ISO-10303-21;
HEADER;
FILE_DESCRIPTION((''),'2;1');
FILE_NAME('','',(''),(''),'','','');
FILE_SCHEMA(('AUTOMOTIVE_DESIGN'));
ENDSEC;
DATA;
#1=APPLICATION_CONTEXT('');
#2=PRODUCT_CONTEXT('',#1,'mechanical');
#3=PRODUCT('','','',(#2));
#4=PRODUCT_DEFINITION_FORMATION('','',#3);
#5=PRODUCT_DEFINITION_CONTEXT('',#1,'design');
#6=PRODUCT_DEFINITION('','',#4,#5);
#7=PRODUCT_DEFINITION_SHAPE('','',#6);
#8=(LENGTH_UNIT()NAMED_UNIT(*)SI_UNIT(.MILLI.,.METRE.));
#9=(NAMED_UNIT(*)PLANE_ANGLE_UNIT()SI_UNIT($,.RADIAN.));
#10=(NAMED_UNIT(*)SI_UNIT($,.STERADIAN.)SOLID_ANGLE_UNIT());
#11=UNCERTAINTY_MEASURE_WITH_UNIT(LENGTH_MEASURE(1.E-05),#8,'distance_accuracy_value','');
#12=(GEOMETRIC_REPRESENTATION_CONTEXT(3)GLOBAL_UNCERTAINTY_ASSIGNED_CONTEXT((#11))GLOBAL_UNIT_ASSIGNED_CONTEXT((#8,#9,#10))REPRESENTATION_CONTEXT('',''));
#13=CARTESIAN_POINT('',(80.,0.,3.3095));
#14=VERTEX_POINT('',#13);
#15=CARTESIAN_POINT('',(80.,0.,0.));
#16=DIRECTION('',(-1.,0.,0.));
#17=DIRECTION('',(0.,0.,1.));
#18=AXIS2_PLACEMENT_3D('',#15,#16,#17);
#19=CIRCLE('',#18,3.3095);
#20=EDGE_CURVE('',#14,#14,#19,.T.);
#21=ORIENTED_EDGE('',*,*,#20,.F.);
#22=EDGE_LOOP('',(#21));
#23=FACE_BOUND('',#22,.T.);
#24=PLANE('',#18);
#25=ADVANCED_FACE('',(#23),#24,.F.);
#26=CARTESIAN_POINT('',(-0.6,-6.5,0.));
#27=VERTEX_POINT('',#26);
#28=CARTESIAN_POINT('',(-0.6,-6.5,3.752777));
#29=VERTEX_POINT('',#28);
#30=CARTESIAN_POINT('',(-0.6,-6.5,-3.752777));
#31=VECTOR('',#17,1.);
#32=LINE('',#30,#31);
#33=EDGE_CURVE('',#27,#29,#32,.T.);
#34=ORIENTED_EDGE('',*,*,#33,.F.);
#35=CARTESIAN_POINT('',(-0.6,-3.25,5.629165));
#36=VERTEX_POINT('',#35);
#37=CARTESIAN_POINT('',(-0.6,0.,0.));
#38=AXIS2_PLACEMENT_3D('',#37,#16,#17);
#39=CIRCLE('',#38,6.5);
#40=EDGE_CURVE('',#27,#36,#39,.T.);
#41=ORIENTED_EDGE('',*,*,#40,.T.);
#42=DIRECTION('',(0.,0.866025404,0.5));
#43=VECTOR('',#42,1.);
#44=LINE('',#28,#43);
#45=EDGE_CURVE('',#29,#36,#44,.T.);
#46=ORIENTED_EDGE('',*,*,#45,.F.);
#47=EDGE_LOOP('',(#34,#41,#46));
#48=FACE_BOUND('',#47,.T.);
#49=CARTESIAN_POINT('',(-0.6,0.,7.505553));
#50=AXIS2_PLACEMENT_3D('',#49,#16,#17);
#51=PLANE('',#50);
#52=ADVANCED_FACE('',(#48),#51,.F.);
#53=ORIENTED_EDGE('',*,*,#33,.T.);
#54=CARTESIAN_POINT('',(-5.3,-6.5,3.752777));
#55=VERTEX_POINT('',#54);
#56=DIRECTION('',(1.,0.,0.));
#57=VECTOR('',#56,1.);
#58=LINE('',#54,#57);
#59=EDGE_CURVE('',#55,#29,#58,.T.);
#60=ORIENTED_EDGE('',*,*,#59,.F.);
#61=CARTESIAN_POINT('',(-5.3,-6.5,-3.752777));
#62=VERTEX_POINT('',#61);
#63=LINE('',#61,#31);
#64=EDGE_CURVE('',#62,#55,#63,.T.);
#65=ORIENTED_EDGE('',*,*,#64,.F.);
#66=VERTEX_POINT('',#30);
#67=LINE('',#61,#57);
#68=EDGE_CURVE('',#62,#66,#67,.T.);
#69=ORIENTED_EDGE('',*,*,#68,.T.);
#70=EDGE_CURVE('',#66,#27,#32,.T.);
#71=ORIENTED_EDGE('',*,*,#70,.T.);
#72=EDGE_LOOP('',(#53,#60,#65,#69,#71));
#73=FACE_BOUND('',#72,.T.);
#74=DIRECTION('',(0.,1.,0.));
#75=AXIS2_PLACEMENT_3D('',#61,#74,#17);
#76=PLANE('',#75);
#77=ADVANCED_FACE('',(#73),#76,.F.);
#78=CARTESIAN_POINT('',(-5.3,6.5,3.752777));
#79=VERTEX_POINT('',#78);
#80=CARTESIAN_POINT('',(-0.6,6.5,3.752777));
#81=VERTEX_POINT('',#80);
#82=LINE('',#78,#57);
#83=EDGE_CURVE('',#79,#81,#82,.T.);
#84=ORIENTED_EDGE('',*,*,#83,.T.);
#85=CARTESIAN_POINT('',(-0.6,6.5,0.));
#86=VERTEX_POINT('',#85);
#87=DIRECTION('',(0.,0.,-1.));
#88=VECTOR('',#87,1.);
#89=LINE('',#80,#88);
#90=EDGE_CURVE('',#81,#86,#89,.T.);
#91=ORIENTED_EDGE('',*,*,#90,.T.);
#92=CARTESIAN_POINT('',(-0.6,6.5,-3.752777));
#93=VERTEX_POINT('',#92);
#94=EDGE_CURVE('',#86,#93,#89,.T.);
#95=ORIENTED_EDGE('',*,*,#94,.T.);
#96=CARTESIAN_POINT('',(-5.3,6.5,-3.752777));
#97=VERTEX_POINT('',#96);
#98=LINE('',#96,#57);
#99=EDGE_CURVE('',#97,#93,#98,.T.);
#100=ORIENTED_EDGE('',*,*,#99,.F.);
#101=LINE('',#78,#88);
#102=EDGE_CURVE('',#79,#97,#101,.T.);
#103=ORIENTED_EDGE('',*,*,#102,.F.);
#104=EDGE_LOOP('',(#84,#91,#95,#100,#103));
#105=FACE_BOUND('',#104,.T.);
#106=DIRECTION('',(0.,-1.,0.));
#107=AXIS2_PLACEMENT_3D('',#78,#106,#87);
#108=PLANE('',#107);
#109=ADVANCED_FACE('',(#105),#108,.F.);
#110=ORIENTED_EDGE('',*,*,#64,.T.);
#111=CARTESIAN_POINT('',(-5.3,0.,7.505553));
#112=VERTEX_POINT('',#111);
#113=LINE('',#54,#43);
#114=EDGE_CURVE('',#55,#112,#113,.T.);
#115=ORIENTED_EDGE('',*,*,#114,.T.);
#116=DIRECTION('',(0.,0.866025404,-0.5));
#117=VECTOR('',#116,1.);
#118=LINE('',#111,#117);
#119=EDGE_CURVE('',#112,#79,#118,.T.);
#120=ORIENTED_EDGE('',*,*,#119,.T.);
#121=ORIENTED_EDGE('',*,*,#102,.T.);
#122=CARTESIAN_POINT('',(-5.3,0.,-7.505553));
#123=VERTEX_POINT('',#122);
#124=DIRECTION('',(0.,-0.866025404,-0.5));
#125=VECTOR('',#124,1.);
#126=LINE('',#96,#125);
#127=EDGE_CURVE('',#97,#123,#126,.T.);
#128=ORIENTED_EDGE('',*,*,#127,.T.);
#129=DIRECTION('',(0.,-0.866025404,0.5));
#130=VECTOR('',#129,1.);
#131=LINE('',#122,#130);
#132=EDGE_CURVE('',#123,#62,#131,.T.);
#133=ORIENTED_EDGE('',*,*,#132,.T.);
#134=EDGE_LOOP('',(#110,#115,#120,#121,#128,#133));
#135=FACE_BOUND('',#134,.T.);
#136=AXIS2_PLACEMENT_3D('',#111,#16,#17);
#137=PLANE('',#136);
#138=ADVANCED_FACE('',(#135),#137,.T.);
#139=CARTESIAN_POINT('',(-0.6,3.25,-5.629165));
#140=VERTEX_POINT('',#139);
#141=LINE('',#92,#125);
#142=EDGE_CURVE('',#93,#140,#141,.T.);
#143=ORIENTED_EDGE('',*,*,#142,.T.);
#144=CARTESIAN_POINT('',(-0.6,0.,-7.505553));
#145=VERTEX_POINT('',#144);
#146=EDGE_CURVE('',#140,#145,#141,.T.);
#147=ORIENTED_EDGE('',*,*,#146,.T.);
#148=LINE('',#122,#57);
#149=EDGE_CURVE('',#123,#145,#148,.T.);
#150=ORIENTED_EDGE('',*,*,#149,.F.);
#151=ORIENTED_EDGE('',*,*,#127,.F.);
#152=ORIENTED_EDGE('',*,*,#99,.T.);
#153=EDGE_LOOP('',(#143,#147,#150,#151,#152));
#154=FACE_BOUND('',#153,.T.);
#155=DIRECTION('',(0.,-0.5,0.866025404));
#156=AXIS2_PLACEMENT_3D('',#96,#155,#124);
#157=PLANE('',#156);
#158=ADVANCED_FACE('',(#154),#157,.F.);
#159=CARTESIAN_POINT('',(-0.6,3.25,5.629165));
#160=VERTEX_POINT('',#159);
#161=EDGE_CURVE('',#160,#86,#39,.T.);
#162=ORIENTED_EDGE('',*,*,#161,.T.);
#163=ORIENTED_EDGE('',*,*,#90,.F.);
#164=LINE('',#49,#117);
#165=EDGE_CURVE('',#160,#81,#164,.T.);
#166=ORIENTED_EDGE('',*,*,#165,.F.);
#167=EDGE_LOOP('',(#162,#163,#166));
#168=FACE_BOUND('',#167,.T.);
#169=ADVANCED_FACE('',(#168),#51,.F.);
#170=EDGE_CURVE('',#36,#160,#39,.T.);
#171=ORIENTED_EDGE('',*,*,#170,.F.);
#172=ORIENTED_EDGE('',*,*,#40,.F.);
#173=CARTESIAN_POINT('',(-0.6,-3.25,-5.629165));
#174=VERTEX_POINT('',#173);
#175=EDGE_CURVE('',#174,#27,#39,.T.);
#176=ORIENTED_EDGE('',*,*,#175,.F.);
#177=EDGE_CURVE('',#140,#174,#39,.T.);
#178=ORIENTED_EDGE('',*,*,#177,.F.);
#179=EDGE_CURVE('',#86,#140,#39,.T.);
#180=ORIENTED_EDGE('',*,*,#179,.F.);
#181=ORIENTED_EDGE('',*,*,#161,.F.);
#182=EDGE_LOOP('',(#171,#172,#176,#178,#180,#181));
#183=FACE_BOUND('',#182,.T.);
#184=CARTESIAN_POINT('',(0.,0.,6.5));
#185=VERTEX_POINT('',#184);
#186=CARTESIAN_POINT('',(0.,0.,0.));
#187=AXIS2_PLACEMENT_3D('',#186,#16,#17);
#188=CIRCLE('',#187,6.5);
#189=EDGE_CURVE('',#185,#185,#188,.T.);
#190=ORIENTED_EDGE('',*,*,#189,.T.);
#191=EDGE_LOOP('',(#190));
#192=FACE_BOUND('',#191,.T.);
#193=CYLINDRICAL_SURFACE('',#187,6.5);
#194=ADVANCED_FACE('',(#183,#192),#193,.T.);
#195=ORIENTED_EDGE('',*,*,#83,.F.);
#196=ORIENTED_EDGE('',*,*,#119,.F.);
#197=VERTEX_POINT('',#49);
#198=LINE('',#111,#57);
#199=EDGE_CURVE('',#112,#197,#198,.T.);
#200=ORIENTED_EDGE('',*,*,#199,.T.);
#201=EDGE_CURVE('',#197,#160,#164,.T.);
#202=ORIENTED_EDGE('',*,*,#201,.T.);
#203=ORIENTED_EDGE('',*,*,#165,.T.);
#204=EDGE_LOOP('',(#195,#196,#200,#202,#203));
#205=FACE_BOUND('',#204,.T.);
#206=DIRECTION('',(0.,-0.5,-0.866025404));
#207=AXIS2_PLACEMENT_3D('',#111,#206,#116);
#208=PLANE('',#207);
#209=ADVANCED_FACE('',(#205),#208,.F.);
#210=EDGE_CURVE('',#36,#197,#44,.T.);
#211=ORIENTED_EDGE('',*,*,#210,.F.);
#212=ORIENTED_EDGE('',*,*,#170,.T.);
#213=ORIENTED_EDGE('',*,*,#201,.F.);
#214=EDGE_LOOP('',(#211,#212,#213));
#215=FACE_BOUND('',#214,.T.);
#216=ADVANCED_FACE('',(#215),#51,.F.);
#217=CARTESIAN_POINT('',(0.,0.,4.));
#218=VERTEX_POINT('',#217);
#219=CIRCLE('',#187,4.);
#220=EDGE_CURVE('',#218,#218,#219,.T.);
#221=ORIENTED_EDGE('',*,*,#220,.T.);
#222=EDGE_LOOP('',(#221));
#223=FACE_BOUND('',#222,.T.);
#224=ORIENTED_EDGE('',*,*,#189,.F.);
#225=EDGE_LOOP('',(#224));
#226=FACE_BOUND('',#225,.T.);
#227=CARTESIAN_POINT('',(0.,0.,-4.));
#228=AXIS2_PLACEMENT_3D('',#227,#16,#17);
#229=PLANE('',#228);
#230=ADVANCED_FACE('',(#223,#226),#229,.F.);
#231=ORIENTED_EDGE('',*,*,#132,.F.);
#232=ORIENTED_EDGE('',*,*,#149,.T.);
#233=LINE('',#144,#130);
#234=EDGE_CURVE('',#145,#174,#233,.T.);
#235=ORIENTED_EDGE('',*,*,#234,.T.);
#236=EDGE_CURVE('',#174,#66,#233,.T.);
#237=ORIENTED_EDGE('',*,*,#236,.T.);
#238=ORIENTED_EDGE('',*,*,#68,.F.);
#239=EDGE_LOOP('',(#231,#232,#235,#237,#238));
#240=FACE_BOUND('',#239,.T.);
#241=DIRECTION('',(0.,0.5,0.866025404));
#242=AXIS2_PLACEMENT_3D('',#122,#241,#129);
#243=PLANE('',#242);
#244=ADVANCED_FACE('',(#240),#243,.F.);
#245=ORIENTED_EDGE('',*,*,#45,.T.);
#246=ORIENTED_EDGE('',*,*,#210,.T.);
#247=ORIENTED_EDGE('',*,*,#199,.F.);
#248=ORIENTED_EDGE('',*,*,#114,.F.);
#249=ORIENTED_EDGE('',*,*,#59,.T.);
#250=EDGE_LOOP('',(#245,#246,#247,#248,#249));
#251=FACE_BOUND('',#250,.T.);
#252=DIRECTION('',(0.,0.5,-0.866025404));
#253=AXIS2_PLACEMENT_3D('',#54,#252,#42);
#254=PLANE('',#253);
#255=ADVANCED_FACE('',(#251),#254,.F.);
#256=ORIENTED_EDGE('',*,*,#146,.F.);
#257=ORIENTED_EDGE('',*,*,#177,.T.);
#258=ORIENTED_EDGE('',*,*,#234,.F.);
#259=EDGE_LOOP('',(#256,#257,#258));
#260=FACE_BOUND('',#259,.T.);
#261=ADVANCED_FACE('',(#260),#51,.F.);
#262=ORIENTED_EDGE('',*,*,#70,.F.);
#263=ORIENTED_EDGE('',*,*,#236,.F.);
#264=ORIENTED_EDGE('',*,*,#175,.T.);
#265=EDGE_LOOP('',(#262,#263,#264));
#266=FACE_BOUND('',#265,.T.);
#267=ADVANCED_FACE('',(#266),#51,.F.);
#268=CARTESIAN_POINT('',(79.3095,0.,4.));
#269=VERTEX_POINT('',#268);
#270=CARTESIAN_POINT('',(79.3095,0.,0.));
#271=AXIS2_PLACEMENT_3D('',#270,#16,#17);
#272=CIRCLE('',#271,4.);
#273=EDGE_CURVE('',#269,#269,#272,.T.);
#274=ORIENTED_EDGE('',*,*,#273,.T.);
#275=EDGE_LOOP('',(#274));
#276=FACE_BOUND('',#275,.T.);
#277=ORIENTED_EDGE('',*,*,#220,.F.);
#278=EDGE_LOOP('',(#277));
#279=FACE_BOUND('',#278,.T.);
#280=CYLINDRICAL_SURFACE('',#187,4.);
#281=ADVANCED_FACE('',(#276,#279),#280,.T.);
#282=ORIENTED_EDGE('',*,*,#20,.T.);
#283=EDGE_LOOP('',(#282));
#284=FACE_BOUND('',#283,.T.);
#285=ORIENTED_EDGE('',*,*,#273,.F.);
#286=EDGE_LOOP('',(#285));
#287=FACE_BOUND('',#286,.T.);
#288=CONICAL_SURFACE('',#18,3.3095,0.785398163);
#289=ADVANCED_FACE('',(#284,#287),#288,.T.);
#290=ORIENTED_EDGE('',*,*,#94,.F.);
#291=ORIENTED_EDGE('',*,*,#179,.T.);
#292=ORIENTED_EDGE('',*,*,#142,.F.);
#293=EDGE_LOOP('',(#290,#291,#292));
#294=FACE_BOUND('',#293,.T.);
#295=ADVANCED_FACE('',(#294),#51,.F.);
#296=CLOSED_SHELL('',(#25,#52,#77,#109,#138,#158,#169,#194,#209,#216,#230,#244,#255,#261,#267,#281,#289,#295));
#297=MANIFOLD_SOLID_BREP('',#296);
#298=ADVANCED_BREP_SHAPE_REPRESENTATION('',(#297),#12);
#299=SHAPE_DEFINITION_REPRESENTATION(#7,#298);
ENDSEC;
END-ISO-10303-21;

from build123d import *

# Parameters (mm, degrees)
HEX_2_DEPTH = 4.7


with BuildPart() as part:
    # BodySketch → BaseBody (revolve)
    with BuildSketch(Plane(origin=(0, 0, 0), x_dir=(1, 0, 0), z_dir=(0, 1, 0)), mode=Mode.PRIVATE) as basebody_sk:
        Polygon((79.3095, 4), (80, 3.3095), (80, 0), (-0.6, 0), (-0.6, 6.5), (0, 6.5), (0, 4), align=None)
    revolve(basebody_sk.sketch.rotate(Axis((0, 0, 0), (1, 0, 0)), 180), axis=Axis((0, 0, 0), (1, 0, 0)))

    # HeadSketch → Hex 2 (add)
    with BuildSketch(Plane.ZY.offset(0.6)):
        Polygon((7.505553499, 0), (3.75277675, 6.5), (-3.75277675, 6.5), (-7.505553499, 0), (-3.75277675, -6.5), (3.75277675, -6.5), align=None)
    extrude(amount=HEX_2_DEPTH)


solid = part.part
